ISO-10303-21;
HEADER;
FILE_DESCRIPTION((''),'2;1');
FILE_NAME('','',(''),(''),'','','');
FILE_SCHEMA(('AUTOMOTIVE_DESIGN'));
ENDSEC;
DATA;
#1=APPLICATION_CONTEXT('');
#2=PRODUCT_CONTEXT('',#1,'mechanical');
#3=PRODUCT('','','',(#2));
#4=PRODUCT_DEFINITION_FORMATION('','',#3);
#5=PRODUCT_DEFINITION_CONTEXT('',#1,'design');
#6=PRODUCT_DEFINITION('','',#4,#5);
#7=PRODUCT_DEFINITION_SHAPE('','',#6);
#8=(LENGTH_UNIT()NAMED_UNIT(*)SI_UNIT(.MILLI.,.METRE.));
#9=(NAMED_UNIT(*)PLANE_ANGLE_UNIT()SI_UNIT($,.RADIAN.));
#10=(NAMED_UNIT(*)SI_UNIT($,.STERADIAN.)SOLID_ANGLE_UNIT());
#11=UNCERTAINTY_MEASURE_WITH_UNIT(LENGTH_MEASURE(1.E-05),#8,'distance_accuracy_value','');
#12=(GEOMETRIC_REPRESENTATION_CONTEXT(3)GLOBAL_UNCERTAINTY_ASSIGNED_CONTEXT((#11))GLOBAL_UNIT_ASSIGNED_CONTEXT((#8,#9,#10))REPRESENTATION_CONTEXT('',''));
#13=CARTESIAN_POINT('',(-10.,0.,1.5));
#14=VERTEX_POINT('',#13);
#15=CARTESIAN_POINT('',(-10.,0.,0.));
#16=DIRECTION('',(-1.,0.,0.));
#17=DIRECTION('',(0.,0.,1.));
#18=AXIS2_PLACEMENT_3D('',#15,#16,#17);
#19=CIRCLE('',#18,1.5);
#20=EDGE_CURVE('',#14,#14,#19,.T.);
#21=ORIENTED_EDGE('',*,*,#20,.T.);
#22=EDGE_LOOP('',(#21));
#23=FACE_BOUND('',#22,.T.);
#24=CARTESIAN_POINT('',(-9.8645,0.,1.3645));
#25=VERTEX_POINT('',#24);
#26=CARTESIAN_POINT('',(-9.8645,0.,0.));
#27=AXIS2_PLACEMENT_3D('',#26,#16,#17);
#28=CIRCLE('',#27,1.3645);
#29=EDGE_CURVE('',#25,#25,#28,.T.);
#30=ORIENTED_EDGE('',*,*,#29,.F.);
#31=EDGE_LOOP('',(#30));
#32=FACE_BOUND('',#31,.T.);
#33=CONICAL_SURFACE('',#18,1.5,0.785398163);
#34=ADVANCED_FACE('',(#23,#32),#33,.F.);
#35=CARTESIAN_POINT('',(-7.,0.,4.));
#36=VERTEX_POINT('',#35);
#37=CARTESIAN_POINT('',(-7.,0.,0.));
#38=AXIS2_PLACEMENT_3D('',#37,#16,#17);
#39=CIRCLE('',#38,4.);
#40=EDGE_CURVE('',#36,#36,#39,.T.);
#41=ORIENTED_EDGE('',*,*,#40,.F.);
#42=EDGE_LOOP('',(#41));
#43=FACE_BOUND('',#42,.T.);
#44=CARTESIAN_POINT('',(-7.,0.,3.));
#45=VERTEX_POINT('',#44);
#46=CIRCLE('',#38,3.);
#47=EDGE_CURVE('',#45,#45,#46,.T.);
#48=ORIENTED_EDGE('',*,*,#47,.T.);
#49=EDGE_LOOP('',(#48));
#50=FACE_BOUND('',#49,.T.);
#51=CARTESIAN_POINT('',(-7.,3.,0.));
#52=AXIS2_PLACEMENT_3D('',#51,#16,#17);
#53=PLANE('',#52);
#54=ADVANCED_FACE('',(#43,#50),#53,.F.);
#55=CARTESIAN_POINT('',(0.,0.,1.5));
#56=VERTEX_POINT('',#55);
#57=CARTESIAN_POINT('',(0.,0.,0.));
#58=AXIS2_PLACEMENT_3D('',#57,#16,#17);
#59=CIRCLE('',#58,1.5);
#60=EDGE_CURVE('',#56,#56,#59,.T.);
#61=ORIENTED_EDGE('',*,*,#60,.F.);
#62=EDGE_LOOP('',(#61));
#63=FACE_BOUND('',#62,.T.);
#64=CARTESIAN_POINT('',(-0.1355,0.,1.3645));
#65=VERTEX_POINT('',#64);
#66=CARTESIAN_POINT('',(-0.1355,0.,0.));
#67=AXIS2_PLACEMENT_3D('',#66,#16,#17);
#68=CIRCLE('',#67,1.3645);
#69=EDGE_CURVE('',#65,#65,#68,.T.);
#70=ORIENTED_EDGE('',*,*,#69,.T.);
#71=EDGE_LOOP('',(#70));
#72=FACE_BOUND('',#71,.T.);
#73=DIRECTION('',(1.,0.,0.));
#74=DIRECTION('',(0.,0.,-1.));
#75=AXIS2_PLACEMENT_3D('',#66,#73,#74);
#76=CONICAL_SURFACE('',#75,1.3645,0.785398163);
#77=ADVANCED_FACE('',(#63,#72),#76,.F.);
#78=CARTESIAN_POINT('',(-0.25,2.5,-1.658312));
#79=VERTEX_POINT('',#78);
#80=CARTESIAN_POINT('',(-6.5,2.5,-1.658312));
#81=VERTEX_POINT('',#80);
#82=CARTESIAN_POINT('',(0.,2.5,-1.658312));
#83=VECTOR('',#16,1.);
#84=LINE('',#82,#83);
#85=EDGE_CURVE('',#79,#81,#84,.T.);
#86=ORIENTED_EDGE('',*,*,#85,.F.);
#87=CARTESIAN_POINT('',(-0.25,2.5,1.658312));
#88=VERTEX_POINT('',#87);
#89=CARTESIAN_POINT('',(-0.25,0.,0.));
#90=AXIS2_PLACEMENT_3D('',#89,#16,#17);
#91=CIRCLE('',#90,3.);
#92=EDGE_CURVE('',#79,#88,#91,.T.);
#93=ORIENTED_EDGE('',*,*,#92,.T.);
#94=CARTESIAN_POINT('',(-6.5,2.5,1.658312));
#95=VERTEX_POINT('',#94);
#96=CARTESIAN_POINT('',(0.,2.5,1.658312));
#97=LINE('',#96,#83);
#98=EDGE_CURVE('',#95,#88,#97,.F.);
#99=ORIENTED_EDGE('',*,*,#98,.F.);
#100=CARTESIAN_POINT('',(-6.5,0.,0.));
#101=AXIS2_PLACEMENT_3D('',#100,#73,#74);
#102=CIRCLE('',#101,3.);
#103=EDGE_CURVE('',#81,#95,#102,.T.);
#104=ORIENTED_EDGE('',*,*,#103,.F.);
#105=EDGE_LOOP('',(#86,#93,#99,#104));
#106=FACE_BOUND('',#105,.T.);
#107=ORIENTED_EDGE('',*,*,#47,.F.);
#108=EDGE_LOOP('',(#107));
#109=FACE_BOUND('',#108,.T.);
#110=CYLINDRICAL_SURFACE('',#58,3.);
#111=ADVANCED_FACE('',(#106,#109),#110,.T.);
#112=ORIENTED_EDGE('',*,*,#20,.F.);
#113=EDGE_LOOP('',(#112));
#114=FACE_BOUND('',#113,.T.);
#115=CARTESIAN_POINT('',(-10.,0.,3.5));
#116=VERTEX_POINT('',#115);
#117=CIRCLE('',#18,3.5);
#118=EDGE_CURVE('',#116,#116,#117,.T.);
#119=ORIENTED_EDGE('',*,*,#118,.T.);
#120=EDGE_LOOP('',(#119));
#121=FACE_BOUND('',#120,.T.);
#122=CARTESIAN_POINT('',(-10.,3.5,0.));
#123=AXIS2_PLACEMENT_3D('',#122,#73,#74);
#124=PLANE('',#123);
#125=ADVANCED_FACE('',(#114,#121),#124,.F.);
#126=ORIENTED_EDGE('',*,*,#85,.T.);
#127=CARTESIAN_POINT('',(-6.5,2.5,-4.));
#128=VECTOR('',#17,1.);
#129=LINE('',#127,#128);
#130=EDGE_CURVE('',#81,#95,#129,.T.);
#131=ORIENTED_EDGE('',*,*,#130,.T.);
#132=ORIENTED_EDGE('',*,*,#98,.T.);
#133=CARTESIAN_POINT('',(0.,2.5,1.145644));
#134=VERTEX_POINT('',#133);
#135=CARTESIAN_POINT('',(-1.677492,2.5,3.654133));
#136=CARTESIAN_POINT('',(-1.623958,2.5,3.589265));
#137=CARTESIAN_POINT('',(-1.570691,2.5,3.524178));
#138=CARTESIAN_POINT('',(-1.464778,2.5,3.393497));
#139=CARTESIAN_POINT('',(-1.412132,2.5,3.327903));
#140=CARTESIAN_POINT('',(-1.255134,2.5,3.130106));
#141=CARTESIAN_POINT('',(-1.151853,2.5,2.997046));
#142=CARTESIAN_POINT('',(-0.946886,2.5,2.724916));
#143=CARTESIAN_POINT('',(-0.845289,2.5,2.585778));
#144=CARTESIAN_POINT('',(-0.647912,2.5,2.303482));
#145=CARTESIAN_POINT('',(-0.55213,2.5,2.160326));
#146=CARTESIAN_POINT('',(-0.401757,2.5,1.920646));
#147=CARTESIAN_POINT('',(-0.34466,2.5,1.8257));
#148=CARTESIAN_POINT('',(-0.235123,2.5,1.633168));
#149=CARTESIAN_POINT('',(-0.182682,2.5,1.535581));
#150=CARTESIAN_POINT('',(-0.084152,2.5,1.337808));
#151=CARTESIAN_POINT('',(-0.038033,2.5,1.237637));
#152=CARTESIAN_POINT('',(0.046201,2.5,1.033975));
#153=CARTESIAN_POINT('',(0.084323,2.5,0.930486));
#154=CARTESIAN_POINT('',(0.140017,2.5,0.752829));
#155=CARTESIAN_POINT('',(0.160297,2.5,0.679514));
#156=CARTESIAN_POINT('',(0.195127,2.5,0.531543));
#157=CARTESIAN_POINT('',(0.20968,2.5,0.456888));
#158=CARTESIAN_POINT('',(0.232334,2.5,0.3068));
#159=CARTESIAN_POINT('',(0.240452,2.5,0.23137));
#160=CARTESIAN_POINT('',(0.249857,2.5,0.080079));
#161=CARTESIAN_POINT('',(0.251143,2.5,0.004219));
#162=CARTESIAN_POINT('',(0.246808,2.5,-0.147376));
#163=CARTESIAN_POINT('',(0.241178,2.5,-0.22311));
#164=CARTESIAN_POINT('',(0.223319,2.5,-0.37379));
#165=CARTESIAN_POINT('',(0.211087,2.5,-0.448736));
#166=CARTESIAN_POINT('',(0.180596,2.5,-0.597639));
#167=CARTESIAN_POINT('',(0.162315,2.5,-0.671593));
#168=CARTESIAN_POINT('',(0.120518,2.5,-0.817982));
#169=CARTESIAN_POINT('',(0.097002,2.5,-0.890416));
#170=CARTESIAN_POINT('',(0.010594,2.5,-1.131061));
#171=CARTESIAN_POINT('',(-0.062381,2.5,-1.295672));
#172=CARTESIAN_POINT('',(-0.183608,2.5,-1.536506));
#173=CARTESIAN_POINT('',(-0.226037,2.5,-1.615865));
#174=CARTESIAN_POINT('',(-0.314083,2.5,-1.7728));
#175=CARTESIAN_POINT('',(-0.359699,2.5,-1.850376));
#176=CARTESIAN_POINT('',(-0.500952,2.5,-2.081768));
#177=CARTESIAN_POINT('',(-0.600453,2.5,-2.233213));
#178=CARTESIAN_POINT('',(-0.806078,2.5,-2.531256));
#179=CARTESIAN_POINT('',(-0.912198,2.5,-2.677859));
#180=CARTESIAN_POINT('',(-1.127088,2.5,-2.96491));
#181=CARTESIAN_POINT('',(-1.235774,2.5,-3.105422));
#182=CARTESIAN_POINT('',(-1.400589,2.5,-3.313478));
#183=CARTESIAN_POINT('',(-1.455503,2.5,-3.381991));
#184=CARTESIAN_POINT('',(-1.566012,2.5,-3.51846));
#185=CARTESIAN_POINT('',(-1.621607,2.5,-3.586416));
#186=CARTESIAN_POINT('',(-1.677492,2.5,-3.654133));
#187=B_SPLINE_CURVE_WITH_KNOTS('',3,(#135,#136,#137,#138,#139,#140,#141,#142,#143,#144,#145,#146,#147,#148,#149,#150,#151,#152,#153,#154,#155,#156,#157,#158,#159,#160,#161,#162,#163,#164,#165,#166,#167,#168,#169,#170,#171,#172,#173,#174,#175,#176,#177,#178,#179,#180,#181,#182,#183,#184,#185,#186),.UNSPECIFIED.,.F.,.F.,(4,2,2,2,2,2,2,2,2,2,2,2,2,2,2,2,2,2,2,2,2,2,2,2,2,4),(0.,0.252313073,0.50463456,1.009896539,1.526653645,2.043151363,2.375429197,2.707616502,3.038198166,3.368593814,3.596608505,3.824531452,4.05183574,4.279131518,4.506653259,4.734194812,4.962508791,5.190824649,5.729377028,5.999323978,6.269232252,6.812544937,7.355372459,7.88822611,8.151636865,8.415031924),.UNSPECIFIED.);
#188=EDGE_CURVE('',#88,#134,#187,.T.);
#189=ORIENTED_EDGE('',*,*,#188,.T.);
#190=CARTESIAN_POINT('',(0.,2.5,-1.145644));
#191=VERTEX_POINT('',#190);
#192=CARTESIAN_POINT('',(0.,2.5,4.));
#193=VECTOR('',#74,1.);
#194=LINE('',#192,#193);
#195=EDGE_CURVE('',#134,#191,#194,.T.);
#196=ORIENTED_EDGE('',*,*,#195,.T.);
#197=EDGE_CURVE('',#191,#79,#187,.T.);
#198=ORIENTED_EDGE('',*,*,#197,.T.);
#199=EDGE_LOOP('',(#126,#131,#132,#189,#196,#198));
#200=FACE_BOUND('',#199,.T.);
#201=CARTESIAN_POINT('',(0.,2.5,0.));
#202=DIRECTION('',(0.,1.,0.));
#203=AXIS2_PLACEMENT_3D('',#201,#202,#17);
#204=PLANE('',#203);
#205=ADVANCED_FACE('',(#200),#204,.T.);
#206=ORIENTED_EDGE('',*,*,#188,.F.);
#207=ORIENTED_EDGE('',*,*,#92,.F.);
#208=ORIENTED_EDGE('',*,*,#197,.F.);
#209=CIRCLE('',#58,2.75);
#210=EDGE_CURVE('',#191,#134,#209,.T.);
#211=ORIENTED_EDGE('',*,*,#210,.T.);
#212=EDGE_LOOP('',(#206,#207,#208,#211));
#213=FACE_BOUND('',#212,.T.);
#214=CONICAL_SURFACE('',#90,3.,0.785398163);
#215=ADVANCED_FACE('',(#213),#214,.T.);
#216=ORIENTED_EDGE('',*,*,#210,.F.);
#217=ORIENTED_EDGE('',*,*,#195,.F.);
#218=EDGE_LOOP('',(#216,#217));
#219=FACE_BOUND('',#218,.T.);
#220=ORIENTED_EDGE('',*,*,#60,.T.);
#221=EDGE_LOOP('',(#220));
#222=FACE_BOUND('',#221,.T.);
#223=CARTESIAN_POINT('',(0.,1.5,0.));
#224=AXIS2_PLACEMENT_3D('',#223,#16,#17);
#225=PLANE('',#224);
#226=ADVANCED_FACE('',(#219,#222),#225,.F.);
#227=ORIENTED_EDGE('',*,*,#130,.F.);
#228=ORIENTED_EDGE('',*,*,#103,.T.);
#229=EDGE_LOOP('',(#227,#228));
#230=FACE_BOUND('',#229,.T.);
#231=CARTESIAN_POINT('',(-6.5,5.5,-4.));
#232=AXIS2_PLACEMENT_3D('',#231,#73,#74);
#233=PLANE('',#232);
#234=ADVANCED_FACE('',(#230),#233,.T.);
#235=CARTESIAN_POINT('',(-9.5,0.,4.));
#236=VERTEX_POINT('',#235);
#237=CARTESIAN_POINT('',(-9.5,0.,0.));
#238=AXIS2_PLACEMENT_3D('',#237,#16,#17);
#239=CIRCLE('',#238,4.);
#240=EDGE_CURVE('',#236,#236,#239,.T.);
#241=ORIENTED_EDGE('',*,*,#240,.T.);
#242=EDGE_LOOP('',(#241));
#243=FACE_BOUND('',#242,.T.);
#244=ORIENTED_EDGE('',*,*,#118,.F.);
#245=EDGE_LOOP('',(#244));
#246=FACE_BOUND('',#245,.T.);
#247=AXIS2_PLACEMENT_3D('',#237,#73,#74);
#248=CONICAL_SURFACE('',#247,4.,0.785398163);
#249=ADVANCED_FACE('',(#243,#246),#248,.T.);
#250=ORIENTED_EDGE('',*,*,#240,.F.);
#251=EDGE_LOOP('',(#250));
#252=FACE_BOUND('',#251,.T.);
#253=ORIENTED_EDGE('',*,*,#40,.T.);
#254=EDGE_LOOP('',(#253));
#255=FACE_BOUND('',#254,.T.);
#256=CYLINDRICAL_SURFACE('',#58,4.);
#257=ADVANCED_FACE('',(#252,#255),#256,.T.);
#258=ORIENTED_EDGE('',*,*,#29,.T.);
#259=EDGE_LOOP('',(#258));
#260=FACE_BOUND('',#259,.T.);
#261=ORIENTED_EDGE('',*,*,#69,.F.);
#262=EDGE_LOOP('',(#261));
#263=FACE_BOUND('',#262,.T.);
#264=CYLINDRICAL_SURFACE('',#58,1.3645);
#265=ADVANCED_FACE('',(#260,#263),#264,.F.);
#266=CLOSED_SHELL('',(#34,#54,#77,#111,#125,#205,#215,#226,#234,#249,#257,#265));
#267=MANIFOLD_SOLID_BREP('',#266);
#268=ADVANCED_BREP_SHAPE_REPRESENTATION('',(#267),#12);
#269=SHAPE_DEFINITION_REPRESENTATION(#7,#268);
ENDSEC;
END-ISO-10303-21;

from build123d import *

# Parameters (mm, degrees)
SKETCH_2_W          = 6.5
SKETCH_2_H          = 8
CUT_EXTRUDE_1_DEPTH = 3


with BuildPart() as part:
    # 草图1 → 旋转1 (revolve)
    with BuildSketch(Plane.XY):
        Polygon((-10, 1.5), (-9.8645, 1.3645), (-0.1355, 1.3645), (0, 1.5), (0, 3), (-7, 3), (-7, 4), (-9.5, 4), (-10, 3.5), align=None)
    revolve(axis=Axis((0, 0, 0), (-1, 0, 0)))

    # 草图2 → 切除-拉伸1 (cut)
    with BuildSketch(Plane(origin=(0, 2.5, 0), x_dir=(1, 0, 0), z_dir=(0, 1, 0))):
        with Locations((-3.25, 0)):
            Rectangle(SKETCH_2_W, SKETCH_2_H)
    extrude(amount=CUT_EXTRUDE_1_DEPTH, mode=Mode.SUBTRACT)

    # 草图3 → 切除-旋转1 (revolve, cut)
    with BuildSketch(Plane.XY):
        Polygon((-0.25, 3), (0, 2.75), (0, 3), align=None)
    revolve(axis=Axis((0, 0, 0), (-1, 0, 0)), mode=Mode.SUBTRACT)


solid = part.part
